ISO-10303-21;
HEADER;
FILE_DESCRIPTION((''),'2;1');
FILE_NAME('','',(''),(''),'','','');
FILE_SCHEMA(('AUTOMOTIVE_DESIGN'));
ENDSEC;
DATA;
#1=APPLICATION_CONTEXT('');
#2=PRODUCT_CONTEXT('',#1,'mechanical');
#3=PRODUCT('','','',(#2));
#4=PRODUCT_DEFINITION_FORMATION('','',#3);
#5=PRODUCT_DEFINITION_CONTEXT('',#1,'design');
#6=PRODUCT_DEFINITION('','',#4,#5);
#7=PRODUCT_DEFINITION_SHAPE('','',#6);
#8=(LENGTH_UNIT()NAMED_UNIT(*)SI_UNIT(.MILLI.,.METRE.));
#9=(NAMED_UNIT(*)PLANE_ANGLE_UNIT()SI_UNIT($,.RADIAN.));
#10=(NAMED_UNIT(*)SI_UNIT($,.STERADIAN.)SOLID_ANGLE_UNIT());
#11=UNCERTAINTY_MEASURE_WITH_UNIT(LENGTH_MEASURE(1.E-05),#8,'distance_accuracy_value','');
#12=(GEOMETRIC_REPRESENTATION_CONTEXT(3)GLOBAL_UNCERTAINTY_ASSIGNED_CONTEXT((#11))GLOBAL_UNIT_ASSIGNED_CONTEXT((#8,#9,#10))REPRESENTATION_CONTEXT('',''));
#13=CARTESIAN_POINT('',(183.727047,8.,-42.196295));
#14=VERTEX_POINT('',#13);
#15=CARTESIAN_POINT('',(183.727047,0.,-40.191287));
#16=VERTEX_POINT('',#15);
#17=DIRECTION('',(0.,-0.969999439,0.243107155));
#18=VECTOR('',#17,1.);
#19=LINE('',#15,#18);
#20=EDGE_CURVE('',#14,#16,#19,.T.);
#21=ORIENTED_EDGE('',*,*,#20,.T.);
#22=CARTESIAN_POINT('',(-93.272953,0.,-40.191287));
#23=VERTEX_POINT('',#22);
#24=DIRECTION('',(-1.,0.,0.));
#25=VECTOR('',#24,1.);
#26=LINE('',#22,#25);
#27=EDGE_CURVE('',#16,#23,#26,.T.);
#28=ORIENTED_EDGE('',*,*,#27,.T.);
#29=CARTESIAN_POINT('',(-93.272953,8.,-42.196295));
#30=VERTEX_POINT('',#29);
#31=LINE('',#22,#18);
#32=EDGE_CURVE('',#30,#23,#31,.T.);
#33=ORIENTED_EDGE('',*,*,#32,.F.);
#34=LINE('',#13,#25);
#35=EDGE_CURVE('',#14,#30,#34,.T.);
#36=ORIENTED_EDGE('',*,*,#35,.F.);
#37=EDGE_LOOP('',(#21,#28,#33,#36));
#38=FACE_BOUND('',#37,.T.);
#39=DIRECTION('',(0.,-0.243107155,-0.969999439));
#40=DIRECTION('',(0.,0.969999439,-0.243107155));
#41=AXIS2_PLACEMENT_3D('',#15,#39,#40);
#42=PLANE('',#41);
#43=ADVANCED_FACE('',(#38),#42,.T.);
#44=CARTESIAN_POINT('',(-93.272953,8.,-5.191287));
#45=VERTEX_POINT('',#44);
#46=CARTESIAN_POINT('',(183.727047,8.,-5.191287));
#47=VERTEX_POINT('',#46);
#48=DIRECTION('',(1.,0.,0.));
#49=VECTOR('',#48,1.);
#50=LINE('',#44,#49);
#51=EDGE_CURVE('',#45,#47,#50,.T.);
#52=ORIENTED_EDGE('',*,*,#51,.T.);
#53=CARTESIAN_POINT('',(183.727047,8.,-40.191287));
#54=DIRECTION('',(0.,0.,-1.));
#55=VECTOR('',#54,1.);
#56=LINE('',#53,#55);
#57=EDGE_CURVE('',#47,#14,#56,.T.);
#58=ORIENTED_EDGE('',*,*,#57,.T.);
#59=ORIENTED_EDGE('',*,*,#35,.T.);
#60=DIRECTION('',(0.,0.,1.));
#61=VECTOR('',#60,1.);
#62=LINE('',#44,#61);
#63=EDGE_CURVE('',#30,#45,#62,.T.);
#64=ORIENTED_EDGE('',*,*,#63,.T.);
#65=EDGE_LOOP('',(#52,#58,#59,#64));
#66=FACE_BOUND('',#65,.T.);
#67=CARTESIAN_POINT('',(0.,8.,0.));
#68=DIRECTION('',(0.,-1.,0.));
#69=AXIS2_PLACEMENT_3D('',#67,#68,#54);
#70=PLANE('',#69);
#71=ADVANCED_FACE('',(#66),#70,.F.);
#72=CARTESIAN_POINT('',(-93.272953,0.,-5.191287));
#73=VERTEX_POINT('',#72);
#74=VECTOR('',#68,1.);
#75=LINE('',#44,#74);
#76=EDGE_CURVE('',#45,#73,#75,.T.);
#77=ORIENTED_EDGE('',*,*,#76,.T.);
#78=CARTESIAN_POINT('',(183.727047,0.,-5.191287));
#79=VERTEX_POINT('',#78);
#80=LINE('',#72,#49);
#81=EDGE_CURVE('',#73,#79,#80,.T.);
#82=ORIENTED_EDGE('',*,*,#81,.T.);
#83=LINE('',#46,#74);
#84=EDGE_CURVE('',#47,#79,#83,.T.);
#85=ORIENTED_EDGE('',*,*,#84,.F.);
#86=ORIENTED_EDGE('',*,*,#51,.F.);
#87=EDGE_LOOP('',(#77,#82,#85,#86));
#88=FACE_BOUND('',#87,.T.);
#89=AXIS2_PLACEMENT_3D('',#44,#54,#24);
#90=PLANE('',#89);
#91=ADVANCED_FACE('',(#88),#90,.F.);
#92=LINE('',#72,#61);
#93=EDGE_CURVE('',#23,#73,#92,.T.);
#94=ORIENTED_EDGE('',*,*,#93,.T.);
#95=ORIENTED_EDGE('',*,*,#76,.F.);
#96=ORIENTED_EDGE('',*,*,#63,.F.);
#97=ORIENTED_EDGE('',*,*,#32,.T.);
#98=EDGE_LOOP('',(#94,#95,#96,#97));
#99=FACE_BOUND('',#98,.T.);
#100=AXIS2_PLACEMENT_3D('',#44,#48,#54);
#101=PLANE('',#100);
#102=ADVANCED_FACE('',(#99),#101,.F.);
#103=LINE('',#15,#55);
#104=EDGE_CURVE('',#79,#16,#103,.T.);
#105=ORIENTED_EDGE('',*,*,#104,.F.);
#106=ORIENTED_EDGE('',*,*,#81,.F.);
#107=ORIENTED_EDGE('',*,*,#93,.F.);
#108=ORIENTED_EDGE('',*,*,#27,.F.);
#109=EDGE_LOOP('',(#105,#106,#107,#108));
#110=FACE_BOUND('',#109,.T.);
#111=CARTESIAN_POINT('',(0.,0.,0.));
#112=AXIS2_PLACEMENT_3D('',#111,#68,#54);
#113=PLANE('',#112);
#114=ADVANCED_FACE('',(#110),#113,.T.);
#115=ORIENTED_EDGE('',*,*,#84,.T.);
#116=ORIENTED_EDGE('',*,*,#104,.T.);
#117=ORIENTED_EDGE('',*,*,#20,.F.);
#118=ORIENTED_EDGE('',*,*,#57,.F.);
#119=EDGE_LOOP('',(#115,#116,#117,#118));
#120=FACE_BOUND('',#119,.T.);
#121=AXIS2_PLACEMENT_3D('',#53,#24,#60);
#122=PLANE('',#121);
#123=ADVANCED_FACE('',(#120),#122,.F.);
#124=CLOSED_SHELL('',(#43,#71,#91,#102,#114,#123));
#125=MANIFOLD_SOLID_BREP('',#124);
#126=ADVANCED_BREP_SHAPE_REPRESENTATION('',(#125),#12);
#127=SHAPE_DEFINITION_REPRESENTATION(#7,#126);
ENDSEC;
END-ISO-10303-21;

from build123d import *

# Parameters (mm, degrees)
SKETCH1_W           = 277
SKETCH1_H           = 35
BOSS_EXTRUDE1_DEPTH = 8
BOSS_EXTRUDE2_DEPTH = 277


with BuildPart() as part:
    # Sketch1 → Boss-Extrude1 (new body)
    with BuildSketch(Plane(origin=(0, 0, 0), x_dir=(1, 0, 0), z_dir=(0, 1, 0))):
        with Locations((45.227046926, 22.691286622)):
            Rectangle(SKETCH1_W, SKETCH1_H)
    extrude(amount=BOSS_EXTRUDE1_DEPTH)

    # Sketch2 → Boss-Extrude2 (add)
    with BuildSketch(Plane.ZY.offset(93.272953074)):
        Polygon((-40.191286622, 0), (-42.196295242, 8), (-40.191286622, 8), align=None)
    extrude(amount=-BOSS_EXTRUDE2_DEPTH)


solid = part.part
